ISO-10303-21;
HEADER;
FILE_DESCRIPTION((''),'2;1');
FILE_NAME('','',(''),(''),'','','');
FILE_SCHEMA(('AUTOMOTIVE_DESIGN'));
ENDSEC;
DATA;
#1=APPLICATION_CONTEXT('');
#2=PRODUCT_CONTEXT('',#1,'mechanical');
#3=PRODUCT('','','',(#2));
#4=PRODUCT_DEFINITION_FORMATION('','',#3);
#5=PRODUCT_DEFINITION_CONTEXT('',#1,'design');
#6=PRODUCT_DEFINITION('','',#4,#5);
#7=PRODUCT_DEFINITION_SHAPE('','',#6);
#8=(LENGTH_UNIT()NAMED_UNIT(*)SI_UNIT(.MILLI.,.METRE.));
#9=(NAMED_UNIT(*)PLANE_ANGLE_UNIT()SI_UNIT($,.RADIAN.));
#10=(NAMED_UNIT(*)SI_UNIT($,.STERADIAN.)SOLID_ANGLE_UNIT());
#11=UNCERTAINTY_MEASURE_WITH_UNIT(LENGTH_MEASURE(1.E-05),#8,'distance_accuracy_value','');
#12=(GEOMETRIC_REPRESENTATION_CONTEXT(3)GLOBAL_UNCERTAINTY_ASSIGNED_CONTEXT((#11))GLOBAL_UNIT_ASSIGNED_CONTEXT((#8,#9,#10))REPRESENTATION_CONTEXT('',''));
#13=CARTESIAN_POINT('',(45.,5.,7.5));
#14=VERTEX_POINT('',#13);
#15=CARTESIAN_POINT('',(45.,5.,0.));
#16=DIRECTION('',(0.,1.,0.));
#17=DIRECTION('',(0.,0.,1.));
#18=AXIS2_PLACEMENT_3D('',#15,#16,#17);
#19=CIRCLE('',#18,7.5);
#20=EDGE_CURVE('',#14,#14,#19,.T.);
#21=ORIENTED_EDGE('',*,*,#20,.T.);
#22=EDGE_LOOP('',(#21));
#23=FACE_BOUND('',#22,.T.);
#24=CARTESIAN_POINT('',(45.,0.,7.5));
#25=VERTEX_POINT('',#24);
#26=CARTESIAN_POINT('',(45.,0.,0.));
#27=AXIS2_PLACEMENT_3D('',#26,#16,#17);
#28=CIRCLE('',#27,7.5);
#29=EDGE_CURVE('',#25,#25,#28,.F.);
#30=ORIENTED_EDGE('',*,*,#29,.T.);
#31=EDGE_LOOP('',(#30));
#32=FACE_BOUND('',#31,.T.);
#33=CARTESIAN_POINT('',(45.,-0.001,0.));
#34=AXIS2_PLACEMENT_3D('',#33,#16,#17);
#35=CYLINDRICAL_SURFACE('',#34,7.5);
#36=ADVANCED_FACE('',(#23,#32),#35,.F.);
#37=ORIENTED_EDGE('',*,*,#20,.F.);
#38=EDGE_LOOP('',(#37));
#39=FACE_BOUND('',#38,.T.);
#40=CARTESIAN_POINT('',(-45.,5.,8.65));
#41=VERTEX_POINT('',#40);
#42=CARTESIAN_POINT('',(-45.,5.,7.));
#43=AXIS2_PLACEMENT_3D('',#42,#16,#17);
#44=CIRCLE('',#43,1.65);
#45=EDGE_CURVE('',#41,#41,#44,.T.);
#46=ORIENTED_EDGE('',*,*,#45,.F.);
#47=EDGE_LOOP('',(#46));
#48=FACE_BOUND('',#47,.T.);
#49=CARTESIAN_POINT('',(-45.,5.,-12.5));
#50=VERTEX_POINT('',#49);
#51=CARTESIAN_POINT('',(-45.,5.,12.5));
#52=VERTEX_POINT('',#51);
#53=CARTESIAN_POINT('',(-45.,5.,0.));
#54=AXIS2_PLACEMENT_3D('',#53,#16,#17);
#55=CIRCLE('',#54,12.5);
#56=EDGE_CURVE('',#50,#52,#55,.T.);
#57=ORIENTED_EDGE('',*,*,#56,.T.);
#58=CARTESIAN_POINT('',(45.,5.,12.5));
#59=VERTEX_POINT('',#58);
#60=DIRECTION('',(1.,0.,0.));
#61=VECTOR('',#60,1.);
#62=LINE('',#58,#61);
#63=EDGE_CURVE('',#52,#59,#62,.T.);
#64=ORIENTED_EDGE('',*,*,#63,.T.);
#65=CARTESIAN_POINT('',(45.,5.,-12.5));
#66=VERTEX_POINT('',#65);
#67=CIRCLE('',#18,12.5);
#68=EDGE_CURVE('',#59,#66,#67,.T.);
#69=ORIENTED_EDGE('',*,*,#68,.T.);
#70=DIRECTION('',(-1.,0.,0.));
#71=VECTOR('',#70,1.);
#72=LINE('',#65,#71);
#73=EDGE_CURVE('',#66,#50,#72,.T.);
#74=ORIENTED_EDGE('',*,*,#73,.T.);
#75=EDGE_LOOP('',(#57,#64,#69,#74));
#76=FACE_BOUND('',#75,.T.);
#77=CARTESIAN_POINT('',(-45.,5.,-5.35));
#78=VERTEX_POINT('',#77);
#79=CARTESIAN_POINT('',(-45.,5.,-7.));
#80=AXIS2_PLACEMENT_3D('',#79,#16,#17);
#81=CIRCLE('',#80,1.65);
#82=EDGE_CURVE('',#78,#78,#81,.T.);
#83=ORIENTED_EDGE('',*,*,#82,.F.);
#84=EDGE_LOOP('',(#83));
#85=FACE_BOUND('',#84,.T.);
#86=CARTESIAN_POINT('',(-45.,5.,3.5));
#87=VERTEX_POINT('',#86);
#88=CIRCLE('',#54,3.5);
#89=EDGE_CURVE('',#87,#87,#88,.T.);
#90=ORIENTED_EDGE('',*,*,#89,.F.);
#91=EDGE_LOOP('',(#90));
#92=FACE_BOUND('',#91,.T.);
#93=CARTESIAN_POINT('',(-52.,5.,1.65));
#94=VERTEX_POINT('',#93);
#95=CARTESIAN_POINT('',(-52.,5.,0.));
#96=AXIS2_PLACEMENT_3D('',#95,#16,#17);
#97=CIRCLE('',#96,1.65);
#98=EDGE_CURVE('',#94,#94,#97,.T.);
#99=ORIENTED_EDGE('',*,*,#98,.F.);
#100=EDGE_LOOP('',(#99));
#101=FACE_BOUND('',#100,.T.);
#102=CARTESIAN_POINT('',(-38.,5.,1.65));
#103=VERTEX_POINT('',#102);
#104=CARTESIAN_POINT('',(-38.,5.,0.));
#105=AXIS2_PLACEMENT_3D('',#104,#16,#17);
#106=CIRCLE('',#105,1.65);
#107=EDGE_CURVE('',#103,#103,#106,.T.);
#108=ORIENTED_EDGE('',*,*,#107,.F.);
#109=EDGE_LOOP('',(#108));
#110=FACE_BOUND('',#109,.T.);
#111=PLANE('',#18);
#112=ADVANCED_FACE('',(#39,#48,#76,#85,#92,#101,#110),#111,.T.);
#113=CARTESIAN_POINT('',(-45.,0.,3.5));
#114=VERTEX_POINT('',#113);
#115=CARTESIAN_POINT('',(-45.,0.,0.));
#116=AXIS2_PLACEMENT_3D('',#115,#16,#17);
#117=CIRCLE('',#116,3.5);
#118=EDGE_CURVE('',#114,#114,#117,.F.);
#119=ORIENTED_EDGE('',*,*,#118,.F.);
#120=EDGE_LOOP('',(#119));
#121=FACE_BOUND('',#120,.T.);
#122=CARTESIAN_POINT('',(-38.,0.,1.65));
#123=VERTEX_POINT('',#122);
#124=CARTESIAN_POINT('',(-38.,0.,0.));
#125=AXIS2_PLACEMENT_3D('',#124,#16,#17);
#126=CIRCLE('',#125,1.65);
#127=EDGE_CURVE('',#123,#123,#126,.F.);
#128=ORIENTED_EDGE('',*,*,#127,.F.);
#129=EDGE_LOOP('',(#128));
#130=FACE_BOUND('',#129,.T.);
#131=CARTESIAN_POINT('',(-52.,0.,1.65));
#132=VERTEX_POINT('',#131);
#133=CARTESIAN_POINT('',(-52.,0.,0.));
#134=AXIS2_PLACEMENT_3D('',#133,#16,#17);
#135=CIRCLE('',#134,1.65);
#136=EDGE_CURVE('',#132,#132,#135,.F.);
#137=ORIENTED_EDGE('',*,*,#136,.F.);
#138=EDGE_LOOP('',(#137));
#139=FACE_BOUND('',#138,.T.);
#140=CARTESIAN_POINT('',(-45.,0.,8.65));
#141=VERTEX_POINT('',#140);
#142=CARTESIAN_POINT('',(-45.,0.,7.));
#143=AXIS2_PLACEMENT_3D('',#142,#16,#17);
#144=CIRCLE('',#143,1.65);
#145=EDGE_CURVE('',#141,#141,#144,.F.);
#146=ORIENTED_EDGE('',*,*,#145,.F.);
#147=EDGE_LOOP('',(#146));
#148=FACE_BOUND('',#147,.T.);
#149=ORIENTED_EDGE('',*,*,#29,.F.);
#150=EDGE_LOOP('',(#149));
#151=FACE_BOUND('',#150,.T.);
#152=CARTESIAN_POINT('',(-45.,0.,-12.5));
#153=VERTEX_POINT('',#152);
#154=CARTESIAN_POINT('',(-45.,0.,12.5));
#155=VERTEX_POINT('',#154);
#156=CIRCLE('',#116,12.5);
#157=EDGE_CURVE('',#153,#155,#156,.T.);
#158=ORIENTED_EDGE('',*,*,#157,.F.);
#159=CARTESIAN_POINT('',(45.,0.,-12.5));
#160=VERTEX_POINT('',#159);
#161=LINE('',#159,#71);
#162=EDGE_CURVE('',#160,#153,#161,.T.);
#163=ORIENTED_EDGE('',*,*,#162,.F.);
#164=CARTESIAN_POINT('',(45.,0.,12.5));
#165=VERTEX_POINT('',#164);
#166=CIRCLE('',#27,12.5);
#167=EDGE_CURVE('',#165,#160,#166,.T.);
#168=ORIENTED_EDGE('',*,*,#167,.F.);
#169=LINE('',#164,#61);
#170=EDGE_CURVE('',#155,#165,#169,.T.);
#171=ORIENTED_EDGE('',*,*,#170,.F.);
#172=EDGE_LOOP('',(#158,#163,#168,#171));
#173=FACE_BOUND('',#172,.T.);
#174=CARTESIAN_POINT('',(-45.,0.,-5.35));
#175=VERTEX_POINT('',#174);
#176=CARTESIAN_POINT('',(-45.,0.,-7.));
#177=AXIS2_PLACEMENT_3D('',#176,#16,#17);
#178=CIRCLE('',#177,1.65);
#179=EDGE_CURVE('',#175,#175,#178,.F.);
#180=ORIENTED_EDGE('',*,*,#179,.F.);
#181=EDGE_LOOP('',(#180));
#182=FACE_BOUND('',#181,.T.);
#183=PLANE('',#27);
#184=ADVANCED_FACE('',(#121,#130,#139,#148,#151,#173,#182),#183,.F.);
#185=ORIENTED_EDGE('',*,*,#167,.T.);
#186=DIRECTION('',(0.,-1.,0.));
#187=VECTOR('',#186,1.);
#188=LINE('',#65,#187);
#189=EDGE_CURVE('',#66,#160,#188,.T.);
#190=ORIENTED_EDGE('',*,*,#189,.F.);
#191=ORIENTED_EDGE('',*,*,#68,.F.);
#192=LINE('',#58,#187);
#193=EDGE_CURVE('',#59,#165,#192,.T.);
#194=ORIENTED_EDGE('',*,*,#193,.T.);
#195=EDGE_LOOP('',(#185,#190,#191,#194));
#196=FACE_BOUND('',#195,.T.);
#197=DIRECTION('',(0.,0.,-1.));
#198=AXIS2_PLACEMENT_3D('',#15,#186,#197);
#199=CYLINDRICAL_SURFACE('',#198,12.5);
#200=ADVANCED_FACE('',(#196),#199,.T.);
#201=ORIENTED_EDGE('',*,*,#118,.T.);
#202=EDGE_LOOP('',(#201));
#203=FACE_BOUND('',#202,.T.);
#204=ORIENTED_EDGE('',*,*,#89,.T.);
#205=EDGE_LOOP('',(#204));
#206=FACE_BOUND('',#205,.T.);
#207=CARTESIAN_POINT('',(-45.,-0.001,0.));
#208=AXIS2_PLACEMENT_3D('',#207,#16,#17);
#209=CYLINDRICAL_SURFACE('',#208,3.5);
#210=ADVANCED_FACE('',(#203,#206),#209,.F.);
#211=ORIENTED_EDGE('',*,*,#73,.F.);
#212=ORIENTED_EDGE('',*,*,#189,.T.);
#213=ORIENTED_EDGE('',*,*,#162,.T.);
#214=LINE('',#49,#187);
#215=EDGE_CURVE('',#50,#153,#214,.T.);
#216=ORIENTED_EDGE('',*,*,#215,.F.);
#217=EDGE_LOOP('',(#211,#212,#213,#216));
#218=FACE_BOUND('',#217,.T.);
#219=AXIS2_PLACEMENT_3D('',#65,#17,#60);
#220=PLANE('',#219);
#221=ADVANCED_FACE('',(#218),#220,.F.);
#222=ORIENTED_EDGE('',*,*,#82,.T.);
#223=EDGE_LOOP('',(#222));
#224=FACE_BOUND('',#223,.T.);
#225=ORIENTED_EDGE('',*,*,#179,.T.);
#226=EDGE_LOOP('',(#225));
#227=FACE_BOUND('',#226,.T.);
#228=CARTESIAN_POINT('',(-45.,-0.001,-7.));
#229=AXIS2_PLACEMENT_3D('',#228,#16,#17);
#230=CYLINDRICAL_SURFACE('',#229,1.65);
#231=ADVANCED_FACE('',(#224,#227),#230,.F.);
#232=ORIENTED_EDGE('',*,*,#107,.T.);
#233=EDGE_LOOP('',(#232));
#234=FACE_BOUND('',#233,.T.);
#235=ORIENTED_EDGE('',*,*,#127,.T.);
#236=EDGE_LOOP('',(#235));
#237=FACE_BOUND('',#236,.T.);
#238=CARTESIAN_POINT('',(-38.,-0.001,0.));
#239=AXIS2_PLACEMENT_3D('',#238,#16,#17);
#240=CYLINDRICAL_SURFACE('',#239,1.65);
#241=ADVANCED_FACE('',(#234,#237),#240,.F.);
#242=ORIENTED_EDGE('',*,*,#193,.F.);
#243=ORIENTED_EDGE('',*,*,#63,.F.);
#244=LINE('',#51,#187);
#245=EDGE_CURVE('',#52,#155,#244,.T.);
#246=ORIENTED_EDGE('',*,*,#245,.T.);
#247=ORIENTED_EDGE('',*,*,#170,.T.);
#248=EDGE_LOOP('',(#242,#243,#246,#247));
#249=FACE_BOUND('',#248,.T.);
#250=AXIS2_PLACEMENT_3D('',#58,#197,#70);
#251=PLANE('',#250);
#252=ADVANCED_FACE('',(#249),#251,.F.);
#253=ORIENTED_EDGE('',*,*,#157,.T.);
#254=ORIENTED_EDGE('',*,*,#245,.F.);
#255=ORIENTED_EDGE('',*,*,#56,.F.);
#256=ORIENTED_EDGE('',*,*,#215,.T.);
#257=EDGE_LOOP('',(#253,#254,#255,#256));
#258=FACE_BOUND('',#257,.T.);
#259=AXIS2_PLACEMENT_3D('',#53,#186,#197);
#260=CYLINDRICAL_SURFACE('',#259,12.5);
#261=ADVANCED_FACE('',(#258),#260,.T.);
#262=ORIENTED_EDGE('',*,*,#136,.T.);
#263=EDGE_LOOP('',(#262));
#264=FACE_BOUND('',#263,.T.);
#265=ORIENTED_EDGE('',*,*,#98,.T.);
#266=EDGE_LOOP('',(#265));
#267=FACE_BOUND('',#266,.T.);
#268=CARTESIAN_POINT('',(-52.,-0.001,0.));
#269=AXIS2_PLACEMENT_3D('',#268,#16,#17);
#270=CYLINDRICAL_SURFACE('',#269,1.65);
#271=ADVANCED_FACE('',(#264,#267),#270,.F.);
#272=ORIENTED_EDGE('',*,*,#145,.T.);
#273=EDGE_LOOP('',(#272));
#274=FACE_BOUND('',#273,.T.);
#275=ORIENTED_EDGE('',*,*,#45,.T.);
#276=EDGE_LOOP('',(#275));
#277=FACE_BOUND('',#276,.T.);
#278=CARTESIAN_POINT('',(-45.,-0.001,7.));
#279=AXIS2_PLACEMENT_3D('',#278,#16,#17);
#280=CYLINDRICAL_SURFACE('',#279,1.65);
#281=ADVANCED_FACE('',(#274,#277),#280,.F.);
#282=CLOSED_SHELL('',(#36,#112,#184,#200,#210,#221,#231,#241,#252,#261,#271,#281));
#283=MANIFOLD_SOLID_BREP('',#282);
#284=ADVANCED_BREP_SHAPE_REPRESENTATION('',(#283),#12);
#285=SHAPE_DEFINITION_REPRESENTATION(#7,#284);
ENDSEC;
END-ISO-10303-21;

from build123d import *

# Parameters (mm, degrees)
EXTRUDE_1_DEPTH     = 5
CUT_EXTRUDE_1_REACH = 61.055
SKETCH_2_R          = 3.5
SKETCH_2_R_2        = 7.5
SKETCH_2_R_3        = 1.65


with BuildPart() as part:
    # 草图1 → 凸台-拉伸1 (new body)
    with BuildSketch(Plane(origin=(0, 0, 0), x_dir=(1, 0, 0), z_dir=(0, 1, 0))):
        with BuildLine():
            Line((45, -12.5), (-45, -12.5))
            ThreePointArc((-45, -12.5), (-57.5, 0), (-45, 12.5))
            Line((-45, 12.5), (45, 12.5))
            ThreePointArc((45, 12.5), (57.5, 0), (45, -12.5))
        make_face()
    extrude(amount=EXTRUDE_1_DEPTH)

    # 草图2 → 切除-拉伸1 (cut, up to next)
    with BuildSketch(Plane(origin=(0, 5, 0), x_dir=(1, 0, 0), z_dir=(0, 1, 0)), mode=Mode.PRIVATE) as cut_extrude_1_sk1:
        with Locations(Location((-45, 0, 0), (0, 0, 270))):
            Circle(SKETCH_2_R)
    cut_extrude_1_tool1 = extrude(cut_extrude_1_sk1.sketch, amount=-CUT_EXTRUDE_1_REACH, mode=Mode.PRIVATE) & part.part
    # 草图2 → 切除-拉伸1 (cut, up to next)
    with BuildSketch(Plane(origin=(0, 5, 0), x_dir=(1, 0, 0), z_dir=(0, 1, 0)), mode=Mode.PRIVATE) as cut_extrude_1_sk2:
        with Locations(Location((45, 0, 0), (0, 0, 270))):
            Circle(SKETCH_2_R_2)
    cut_extrude_1_tool2 = extrude(cut_extrude_1_sk2.sketch, amount=-CUT_EXTRUDE_1_REACH, mode=Mode.PRIVATE) & part.part
    # 草图2 → 切除-拉伸1 (cut, up to next)
    with BuildSketch(Plane(origin=(0, 5, 0), x_dir=(1, 0, 0), z_dir=(0, 1, 0)), mode=Mode.PRIVATE) as cut_extrude_1_sk3:
        with Locations(Location((-45, 7, 0), (0, 0, 270))):
            Circle(SKETCH_2_R_3)
    cut_extrude_1_tool3 = extrude(cut_extrude_1_sk3.sketch, amount=-CUT_EXTRUDE_1_REACH, mode=Mode.PRIVATE) & part.part
    # 草图2 → 切除-拉伸1 (cut, up to next)
    with BuildSketch(Plane(origin=(0, 5, 0), x_dir=(1, 0, 0), z_dir=(0, 1, 0)), mode=Mode.PRIVATE) as cut_extrude_1_sk4:
        with Locations(Location((-38, 0, 0), (0, 0, 270))):
            Circle(SKETCH_2_R_3)
    cut_extrude_1_tool4 = extrude(cut_extrude_1_sk4.sketch, amount=-CUT_EXTRUDE_1_REACH, mode=Mode.PRIVATE) & part.part
    # 草图2 → 切除-拉伸1 (cut, up to next)
    with BuildSketch(Plane(origin=(0, 5, 0), x_dir=(1, 0, 0), z_dir=(0, 1, 0)), mode=Mode.PRIVATE) as cut_extrude_1_sk5:
        with Locations(Location((-45, -7, 0), (0, 0, 270))):
            Circle(SKETCH_2_R_3)
    cut_extrude_1_tool5 = extrude(cut_extrude_1_sk5.sketch, amount=-CUT_EXTRUDE_1_REACH, mode=Mode.PRIVATE) & part.part
    # 草图2 → 切除-拉伸1 (cut, up to next)
    with BuildSketch(Plane(origin=(0, 5, 0), x_dir=(1, 0, 0), z_dir=(0, 1, 0)), mode=Mode.PRIVATE) as cut_extrude_1_sk6:
        with Locations(Location((-52, 0, 0), (0, 0, 270))):
            Circle(SKETCH_2_R_3)
    cut_extrude_1_tool6 = extrude(cut_extrude_1_sk6.sketch, amount=-CUT_EXTRUDE_1_REACH, mode=Mode.PRIVATE) & part.part
    add(cut_extrude_1_tool1.solids().sort_by_distance((-45, 5, 0))[0], mode=Mode.SUBTRACT)
    add(cut_extrude_1_tool2.solids().sort_by_distance((45, 5, 0))[0], mode=Mode.SUBTRACT)
    add(cut_extrude_1_tool3.solids().sort_by_distance((-45, 5, -7))[0], mode=Mode.SUBTRACT)
    add(cut_extrude_1_tool4.solids().sort_by_distance((-38, 5, 0))[0], mode=Mode.SUBTRACT)
    add(cut_extrude_1_tool5.solids().sort_by_distance((-45, 5, 7))[0], mode=Mode.SUBTRACT)
    add(cut_extrude_1_tool6.solids().sort_by_distance((-52, 5, 0))[0], mode=Mode.SUBTRACT)


solid = part.part
